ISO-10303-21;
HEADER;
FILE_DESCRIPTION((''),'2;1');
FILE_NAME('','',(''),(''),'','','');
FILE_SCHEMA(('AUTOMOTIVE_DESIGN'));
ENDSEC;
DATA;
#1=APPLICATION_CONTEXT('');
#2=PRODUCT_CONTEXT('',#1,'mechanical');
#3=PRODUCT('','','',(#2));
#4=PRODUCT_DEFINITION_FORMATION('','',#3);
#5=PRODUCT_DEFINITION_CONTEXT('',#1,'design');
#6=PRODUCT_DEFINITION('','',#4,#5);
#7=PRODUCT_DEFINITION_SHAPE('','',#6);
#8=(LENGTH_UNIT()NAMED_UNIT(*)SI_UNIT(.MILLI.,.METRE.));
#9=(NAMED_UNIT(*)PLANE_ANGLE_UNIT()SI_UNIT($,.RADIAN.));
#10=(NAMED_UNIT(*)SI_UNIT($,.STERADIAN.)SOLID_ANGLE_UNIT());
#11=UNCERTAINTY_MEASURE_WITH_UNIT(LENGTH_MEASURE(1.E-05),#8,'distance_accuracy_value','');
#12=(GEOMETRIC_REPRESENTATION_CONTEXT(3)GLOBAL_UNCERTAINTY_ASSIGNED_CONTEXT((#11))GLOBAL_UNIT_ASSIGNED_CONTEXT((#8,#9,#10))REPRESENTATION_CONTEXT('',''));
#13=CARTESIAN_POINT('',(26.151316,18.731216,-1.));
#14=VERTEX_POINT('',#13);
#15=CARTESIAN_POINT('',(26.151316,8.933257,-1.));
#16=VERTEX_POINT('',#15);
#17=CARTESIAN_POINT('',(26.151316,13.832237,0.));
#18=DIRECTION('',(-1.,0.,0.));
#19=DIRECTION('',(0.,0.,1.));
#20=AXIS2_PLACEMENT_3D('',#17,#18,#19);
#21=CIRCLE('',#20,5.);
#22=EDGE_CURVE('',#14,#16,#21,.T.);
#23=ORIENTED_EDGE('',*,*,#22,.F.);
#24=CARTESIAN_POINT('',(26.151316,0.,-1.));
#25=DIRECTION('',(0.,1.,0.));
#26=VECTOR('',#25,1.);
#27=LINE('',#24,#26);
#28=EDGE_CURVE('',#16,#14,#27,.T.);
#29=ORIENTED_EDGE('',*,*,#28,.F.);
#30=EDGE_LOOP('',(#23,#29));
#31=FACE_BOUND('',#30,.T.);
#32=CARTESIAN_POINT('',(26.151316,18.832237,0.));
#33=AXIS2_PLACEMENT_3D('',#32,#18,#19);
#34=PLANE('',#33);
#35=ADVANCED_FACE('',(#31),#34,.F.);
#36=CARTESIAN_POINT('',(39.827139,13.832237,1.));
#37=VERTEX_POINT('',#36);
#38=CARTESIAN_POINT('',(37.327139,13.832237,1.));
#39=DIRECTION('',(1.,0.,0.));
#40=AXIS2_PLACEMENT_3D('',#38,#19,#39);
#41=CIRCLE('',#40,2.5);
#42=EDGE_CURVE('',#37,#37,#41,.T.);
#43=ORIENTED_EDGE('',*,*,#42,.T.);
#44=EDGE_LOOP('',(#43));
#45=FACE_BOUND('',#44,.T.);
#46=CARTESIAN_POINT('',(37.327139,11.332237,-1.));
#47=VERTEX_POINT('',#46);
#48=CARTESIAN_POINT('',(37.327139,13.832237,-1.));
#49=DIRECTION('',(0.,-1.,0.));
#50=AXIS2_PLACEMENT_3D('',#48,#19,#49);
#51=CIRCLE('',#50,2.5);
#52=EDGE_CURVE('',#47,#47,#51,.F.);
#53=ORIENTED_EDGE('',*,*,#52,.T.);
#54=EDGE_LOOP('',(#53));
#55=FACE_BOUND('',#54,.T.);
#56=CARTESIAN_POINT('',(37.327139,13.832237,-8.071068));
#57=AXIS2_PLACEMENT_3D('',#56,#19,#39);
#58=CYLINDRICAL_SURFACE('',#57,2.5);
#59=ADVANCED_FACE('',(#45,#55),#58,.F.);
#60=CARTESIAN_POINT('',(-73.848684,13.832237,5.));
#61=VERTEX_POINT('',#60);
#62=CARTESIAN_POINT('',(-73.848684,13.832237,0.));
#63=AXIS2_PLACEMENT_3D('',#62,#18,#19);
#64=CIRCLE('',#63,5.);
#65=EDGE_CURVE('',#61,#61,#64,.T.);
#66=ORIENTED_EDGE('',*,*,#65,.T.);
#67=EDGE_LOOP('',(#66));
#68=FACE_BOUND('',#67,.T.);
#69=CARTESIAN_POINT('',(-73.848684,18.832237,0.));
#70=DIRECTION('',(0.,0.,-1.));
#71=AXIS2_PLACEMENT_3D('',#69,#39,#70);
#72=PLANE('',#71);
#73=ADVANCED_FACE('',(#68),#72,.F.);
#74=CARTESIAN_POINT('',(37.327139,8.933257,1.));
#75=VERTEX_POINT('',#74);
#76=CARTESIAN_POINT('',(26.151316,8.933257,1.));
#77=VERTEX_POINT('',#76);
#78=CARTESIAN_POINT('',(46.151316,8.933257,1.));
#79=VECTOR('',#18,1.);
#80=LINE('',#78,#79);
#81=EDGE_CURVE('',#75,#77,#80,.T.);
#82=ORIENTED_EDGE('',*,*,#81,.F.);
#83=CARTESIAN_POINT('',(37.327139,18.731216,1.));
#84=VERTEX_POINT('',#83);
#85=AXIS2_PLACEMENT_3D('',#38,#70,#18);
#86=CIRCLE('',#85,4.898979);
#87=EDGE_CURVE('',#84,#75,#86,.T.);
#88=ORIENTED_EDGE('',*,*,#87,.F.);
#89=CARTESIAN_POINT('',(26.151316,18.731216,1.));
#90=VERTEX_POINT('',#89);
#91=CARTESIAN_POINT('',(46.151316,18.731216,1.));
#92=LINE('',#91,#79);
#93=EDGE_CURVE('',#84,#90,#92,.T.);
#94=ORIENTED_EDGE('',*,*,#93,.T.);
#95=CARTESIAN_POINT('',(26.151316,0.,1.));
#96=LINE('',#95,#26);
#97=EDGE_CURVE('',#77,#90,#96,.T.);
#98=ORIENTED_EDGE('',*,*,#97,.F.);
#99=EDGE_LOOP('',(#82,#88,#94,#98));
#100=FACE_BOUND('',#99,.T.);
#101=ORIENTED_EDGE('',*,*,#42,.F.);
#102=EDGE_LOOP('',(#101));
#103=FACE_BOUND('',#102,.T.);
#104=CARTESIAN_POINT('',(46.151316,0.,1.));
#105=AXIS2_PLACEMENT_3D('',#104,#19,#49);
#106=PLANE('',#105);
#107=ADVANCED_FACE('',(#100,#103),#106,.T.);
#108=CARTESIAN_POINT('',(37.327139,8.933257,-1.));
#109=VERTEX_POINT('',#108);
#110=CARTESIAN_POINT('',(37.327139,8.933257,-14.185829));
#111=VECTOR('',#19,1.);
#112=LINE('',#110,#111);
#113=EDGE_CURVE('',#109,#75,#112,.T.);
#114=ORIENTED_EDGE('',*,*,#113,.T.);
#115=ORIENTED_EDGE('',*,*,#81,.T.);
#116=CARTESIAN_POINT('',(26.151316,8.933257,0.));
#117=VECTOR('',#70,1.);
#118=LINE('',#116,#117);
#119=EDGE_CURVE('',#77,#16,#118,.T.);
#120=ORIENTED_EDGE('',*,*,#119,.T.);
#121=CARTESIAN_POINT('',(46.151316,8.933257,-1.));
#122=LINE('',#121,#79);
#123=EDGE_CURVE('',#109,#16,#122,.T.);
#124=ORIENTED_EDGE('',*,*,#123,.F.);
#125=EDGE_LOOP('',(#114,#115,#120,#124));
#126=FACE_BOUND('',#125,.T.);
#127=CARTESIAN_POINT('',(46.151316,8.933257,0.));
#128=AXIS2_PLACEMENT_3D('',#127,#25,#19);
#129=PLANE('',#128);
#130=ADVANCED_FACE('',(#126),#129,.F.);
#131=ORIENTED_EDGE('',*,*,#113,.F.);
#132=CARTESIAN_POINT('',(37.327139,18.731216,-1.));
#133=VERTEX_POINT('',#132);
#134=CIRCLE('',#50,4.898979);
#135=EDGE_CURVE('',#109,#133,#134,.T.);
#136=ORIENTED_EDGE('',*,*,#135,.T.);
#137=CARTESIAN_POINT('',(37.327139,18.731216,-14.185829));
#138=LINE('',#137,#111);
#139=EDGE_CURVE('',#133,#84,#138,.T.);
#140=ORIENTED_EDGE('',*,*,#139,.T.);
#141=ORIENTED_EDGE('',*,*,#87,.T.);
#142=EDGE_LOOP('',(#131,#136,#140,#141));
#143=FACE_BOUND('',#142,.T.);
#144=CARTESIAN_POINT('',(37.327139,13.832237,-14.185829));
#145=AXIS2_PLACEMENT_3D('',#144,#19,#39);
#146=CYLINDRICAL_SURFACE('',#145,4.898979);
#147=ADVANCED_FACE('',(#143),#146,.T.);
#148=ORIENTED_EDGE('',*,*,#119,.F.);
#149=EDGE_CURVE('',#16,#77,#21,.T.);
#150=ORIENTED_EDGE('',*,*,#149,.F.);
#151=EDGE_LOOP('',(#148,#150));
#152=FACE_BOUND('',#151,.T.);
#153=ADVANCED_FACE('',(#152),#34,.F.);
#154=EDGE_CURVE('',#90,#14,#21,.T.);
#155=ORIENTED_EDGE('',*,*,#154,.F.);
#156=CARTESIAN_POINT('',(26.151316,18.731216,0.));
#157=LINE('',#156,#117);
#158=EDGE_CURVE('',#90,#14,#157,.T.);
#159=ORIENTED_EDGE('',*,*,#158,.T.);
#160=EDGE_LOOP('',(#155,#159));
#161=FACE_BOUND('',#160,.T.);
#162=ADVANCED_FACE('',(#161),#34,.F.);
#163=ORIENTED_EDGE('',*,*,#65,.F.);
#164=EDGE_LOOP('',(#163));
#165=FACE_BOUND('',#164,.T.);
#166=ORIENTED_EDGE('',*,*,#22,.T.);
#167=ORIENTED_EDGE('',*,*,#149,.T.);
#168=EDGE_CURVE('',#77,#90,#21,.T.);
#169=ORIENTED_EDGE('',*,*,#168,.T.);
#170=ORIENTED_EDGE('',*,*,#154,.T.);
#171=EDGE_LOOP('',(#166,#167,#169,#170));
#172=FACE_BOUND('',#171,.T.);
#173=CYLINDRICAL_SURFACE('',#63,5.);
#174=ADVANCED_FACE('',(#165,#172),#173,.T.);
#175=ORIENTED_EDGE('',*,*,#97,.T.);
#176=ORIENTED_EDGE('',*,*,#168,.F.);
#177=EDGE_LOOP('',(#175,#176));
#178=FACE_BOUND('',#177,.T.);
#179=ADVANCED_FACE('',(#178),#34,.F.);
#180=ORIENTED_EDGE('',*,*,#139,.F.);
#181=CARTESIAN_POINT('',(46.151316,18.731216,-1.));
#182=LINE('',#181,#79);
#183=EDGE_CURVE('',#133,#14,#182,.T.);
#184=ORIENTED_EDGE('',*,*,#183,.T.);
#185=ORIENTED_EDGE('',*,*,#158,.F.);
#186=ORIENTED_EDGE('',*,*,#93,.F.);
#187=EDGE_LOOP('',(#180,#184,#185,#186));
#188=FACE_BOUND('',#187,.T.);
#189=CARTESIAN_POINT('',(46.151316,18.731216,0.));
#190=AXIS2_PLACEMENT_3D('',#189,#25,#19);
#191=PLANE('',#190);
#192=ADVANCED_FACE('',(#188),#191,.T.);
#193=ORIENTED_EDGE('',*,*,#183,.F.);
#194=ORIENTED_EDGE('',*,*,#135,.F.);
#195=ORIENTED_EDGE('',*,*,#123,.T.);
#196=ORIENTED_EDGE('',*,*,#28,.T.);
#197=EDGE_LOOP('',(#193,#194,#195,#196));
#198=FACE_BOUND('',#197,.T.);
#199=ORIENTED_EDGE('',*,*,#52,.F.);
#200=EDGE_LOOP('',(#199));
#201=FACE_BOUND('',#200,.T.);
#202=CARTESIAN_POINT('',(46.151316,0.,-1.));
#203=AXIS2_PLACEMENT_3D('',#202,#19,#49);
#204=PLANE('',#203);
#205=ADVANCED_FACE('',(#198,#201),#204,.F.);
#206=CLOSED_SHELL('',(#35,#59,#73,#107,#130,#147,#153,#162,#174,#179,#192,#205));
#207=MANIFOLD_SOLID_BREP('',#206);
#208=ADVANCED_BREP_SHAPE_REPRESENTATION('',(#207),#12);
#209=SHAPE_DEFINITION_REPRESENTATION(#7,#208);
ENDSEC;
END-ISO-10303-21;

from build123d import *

# Parameters (mm, degrees)
SKETCH1_W           = 100
SKETCH1_H           = 5
SKETCH4_W           = 2
SKETCH4_H           = 9.797958971
BOSS_EXTRUDE4_DEPTH = 20
CUT_EXTRUDE5_DEPTH  = 2
SKETCH11_R          = 2.5
CUT_EXTRUDE6_DEPTH  = 2


with BuildPart() as part:
    # Sketch1 → Revolve1 (revolve)
    with BuildSketch(Plane.XY):
        with Locations((-23.848684211, 16.332236842)):
            Rectangle(SKETCH1_W, SKETCH1_H)
    revolve(axis=Axis((-73.848684211, 13.832236842, 0), (1, 0, 0)))

    # Sketch4 → Boss-Extrude4 (add)
    with BuildSketch(Plane(origin=(26.151315789, 0, 0), x_dir=(0, 0, -1), z_dir=(1, 0, 0))):
        with Locations((0, 13.832236843)):
            Rectangle(SKETCH4_W, SKETCH4_H)
    extrude(amount=BOSS_EXTRUDE4_DEPTH)

    # Sketch10 → Cut-Extrude5 (cut)
    with BuildSketch(Plane.XY.offset(1)):
        with BuildLine():
            Line((37.327139049, 18.731216328), (46.151315789, 18.731216328))
            Line((46.151315789, 18.731216328), (46.151315789, 8.933257357))
            Line((46.151315789, 8.933257357), (37.327139049, 8.933257357))
            ThreePointArc((37.327139049, 8.933257357), (42.226118535, 13.832236842), (37.327139049, 18.731216328))
        make_face()
    extrude(amount=-CUT_EXTRUDE5_DEPTH, mode=Mode.SUBTRACT)

    # Sketch11 → Cut-Extrude6 (cut)
    with BuildSketch(Plane.XY.offset(1)):
        with Locations((37.327139049, 13.832236842)):
            Circle(SKETCH11_R)
    extrude(amount=-CUT_EXTRUDE6_DEPTH, mode=Mode.SUBTRACT)


solid = part.part
